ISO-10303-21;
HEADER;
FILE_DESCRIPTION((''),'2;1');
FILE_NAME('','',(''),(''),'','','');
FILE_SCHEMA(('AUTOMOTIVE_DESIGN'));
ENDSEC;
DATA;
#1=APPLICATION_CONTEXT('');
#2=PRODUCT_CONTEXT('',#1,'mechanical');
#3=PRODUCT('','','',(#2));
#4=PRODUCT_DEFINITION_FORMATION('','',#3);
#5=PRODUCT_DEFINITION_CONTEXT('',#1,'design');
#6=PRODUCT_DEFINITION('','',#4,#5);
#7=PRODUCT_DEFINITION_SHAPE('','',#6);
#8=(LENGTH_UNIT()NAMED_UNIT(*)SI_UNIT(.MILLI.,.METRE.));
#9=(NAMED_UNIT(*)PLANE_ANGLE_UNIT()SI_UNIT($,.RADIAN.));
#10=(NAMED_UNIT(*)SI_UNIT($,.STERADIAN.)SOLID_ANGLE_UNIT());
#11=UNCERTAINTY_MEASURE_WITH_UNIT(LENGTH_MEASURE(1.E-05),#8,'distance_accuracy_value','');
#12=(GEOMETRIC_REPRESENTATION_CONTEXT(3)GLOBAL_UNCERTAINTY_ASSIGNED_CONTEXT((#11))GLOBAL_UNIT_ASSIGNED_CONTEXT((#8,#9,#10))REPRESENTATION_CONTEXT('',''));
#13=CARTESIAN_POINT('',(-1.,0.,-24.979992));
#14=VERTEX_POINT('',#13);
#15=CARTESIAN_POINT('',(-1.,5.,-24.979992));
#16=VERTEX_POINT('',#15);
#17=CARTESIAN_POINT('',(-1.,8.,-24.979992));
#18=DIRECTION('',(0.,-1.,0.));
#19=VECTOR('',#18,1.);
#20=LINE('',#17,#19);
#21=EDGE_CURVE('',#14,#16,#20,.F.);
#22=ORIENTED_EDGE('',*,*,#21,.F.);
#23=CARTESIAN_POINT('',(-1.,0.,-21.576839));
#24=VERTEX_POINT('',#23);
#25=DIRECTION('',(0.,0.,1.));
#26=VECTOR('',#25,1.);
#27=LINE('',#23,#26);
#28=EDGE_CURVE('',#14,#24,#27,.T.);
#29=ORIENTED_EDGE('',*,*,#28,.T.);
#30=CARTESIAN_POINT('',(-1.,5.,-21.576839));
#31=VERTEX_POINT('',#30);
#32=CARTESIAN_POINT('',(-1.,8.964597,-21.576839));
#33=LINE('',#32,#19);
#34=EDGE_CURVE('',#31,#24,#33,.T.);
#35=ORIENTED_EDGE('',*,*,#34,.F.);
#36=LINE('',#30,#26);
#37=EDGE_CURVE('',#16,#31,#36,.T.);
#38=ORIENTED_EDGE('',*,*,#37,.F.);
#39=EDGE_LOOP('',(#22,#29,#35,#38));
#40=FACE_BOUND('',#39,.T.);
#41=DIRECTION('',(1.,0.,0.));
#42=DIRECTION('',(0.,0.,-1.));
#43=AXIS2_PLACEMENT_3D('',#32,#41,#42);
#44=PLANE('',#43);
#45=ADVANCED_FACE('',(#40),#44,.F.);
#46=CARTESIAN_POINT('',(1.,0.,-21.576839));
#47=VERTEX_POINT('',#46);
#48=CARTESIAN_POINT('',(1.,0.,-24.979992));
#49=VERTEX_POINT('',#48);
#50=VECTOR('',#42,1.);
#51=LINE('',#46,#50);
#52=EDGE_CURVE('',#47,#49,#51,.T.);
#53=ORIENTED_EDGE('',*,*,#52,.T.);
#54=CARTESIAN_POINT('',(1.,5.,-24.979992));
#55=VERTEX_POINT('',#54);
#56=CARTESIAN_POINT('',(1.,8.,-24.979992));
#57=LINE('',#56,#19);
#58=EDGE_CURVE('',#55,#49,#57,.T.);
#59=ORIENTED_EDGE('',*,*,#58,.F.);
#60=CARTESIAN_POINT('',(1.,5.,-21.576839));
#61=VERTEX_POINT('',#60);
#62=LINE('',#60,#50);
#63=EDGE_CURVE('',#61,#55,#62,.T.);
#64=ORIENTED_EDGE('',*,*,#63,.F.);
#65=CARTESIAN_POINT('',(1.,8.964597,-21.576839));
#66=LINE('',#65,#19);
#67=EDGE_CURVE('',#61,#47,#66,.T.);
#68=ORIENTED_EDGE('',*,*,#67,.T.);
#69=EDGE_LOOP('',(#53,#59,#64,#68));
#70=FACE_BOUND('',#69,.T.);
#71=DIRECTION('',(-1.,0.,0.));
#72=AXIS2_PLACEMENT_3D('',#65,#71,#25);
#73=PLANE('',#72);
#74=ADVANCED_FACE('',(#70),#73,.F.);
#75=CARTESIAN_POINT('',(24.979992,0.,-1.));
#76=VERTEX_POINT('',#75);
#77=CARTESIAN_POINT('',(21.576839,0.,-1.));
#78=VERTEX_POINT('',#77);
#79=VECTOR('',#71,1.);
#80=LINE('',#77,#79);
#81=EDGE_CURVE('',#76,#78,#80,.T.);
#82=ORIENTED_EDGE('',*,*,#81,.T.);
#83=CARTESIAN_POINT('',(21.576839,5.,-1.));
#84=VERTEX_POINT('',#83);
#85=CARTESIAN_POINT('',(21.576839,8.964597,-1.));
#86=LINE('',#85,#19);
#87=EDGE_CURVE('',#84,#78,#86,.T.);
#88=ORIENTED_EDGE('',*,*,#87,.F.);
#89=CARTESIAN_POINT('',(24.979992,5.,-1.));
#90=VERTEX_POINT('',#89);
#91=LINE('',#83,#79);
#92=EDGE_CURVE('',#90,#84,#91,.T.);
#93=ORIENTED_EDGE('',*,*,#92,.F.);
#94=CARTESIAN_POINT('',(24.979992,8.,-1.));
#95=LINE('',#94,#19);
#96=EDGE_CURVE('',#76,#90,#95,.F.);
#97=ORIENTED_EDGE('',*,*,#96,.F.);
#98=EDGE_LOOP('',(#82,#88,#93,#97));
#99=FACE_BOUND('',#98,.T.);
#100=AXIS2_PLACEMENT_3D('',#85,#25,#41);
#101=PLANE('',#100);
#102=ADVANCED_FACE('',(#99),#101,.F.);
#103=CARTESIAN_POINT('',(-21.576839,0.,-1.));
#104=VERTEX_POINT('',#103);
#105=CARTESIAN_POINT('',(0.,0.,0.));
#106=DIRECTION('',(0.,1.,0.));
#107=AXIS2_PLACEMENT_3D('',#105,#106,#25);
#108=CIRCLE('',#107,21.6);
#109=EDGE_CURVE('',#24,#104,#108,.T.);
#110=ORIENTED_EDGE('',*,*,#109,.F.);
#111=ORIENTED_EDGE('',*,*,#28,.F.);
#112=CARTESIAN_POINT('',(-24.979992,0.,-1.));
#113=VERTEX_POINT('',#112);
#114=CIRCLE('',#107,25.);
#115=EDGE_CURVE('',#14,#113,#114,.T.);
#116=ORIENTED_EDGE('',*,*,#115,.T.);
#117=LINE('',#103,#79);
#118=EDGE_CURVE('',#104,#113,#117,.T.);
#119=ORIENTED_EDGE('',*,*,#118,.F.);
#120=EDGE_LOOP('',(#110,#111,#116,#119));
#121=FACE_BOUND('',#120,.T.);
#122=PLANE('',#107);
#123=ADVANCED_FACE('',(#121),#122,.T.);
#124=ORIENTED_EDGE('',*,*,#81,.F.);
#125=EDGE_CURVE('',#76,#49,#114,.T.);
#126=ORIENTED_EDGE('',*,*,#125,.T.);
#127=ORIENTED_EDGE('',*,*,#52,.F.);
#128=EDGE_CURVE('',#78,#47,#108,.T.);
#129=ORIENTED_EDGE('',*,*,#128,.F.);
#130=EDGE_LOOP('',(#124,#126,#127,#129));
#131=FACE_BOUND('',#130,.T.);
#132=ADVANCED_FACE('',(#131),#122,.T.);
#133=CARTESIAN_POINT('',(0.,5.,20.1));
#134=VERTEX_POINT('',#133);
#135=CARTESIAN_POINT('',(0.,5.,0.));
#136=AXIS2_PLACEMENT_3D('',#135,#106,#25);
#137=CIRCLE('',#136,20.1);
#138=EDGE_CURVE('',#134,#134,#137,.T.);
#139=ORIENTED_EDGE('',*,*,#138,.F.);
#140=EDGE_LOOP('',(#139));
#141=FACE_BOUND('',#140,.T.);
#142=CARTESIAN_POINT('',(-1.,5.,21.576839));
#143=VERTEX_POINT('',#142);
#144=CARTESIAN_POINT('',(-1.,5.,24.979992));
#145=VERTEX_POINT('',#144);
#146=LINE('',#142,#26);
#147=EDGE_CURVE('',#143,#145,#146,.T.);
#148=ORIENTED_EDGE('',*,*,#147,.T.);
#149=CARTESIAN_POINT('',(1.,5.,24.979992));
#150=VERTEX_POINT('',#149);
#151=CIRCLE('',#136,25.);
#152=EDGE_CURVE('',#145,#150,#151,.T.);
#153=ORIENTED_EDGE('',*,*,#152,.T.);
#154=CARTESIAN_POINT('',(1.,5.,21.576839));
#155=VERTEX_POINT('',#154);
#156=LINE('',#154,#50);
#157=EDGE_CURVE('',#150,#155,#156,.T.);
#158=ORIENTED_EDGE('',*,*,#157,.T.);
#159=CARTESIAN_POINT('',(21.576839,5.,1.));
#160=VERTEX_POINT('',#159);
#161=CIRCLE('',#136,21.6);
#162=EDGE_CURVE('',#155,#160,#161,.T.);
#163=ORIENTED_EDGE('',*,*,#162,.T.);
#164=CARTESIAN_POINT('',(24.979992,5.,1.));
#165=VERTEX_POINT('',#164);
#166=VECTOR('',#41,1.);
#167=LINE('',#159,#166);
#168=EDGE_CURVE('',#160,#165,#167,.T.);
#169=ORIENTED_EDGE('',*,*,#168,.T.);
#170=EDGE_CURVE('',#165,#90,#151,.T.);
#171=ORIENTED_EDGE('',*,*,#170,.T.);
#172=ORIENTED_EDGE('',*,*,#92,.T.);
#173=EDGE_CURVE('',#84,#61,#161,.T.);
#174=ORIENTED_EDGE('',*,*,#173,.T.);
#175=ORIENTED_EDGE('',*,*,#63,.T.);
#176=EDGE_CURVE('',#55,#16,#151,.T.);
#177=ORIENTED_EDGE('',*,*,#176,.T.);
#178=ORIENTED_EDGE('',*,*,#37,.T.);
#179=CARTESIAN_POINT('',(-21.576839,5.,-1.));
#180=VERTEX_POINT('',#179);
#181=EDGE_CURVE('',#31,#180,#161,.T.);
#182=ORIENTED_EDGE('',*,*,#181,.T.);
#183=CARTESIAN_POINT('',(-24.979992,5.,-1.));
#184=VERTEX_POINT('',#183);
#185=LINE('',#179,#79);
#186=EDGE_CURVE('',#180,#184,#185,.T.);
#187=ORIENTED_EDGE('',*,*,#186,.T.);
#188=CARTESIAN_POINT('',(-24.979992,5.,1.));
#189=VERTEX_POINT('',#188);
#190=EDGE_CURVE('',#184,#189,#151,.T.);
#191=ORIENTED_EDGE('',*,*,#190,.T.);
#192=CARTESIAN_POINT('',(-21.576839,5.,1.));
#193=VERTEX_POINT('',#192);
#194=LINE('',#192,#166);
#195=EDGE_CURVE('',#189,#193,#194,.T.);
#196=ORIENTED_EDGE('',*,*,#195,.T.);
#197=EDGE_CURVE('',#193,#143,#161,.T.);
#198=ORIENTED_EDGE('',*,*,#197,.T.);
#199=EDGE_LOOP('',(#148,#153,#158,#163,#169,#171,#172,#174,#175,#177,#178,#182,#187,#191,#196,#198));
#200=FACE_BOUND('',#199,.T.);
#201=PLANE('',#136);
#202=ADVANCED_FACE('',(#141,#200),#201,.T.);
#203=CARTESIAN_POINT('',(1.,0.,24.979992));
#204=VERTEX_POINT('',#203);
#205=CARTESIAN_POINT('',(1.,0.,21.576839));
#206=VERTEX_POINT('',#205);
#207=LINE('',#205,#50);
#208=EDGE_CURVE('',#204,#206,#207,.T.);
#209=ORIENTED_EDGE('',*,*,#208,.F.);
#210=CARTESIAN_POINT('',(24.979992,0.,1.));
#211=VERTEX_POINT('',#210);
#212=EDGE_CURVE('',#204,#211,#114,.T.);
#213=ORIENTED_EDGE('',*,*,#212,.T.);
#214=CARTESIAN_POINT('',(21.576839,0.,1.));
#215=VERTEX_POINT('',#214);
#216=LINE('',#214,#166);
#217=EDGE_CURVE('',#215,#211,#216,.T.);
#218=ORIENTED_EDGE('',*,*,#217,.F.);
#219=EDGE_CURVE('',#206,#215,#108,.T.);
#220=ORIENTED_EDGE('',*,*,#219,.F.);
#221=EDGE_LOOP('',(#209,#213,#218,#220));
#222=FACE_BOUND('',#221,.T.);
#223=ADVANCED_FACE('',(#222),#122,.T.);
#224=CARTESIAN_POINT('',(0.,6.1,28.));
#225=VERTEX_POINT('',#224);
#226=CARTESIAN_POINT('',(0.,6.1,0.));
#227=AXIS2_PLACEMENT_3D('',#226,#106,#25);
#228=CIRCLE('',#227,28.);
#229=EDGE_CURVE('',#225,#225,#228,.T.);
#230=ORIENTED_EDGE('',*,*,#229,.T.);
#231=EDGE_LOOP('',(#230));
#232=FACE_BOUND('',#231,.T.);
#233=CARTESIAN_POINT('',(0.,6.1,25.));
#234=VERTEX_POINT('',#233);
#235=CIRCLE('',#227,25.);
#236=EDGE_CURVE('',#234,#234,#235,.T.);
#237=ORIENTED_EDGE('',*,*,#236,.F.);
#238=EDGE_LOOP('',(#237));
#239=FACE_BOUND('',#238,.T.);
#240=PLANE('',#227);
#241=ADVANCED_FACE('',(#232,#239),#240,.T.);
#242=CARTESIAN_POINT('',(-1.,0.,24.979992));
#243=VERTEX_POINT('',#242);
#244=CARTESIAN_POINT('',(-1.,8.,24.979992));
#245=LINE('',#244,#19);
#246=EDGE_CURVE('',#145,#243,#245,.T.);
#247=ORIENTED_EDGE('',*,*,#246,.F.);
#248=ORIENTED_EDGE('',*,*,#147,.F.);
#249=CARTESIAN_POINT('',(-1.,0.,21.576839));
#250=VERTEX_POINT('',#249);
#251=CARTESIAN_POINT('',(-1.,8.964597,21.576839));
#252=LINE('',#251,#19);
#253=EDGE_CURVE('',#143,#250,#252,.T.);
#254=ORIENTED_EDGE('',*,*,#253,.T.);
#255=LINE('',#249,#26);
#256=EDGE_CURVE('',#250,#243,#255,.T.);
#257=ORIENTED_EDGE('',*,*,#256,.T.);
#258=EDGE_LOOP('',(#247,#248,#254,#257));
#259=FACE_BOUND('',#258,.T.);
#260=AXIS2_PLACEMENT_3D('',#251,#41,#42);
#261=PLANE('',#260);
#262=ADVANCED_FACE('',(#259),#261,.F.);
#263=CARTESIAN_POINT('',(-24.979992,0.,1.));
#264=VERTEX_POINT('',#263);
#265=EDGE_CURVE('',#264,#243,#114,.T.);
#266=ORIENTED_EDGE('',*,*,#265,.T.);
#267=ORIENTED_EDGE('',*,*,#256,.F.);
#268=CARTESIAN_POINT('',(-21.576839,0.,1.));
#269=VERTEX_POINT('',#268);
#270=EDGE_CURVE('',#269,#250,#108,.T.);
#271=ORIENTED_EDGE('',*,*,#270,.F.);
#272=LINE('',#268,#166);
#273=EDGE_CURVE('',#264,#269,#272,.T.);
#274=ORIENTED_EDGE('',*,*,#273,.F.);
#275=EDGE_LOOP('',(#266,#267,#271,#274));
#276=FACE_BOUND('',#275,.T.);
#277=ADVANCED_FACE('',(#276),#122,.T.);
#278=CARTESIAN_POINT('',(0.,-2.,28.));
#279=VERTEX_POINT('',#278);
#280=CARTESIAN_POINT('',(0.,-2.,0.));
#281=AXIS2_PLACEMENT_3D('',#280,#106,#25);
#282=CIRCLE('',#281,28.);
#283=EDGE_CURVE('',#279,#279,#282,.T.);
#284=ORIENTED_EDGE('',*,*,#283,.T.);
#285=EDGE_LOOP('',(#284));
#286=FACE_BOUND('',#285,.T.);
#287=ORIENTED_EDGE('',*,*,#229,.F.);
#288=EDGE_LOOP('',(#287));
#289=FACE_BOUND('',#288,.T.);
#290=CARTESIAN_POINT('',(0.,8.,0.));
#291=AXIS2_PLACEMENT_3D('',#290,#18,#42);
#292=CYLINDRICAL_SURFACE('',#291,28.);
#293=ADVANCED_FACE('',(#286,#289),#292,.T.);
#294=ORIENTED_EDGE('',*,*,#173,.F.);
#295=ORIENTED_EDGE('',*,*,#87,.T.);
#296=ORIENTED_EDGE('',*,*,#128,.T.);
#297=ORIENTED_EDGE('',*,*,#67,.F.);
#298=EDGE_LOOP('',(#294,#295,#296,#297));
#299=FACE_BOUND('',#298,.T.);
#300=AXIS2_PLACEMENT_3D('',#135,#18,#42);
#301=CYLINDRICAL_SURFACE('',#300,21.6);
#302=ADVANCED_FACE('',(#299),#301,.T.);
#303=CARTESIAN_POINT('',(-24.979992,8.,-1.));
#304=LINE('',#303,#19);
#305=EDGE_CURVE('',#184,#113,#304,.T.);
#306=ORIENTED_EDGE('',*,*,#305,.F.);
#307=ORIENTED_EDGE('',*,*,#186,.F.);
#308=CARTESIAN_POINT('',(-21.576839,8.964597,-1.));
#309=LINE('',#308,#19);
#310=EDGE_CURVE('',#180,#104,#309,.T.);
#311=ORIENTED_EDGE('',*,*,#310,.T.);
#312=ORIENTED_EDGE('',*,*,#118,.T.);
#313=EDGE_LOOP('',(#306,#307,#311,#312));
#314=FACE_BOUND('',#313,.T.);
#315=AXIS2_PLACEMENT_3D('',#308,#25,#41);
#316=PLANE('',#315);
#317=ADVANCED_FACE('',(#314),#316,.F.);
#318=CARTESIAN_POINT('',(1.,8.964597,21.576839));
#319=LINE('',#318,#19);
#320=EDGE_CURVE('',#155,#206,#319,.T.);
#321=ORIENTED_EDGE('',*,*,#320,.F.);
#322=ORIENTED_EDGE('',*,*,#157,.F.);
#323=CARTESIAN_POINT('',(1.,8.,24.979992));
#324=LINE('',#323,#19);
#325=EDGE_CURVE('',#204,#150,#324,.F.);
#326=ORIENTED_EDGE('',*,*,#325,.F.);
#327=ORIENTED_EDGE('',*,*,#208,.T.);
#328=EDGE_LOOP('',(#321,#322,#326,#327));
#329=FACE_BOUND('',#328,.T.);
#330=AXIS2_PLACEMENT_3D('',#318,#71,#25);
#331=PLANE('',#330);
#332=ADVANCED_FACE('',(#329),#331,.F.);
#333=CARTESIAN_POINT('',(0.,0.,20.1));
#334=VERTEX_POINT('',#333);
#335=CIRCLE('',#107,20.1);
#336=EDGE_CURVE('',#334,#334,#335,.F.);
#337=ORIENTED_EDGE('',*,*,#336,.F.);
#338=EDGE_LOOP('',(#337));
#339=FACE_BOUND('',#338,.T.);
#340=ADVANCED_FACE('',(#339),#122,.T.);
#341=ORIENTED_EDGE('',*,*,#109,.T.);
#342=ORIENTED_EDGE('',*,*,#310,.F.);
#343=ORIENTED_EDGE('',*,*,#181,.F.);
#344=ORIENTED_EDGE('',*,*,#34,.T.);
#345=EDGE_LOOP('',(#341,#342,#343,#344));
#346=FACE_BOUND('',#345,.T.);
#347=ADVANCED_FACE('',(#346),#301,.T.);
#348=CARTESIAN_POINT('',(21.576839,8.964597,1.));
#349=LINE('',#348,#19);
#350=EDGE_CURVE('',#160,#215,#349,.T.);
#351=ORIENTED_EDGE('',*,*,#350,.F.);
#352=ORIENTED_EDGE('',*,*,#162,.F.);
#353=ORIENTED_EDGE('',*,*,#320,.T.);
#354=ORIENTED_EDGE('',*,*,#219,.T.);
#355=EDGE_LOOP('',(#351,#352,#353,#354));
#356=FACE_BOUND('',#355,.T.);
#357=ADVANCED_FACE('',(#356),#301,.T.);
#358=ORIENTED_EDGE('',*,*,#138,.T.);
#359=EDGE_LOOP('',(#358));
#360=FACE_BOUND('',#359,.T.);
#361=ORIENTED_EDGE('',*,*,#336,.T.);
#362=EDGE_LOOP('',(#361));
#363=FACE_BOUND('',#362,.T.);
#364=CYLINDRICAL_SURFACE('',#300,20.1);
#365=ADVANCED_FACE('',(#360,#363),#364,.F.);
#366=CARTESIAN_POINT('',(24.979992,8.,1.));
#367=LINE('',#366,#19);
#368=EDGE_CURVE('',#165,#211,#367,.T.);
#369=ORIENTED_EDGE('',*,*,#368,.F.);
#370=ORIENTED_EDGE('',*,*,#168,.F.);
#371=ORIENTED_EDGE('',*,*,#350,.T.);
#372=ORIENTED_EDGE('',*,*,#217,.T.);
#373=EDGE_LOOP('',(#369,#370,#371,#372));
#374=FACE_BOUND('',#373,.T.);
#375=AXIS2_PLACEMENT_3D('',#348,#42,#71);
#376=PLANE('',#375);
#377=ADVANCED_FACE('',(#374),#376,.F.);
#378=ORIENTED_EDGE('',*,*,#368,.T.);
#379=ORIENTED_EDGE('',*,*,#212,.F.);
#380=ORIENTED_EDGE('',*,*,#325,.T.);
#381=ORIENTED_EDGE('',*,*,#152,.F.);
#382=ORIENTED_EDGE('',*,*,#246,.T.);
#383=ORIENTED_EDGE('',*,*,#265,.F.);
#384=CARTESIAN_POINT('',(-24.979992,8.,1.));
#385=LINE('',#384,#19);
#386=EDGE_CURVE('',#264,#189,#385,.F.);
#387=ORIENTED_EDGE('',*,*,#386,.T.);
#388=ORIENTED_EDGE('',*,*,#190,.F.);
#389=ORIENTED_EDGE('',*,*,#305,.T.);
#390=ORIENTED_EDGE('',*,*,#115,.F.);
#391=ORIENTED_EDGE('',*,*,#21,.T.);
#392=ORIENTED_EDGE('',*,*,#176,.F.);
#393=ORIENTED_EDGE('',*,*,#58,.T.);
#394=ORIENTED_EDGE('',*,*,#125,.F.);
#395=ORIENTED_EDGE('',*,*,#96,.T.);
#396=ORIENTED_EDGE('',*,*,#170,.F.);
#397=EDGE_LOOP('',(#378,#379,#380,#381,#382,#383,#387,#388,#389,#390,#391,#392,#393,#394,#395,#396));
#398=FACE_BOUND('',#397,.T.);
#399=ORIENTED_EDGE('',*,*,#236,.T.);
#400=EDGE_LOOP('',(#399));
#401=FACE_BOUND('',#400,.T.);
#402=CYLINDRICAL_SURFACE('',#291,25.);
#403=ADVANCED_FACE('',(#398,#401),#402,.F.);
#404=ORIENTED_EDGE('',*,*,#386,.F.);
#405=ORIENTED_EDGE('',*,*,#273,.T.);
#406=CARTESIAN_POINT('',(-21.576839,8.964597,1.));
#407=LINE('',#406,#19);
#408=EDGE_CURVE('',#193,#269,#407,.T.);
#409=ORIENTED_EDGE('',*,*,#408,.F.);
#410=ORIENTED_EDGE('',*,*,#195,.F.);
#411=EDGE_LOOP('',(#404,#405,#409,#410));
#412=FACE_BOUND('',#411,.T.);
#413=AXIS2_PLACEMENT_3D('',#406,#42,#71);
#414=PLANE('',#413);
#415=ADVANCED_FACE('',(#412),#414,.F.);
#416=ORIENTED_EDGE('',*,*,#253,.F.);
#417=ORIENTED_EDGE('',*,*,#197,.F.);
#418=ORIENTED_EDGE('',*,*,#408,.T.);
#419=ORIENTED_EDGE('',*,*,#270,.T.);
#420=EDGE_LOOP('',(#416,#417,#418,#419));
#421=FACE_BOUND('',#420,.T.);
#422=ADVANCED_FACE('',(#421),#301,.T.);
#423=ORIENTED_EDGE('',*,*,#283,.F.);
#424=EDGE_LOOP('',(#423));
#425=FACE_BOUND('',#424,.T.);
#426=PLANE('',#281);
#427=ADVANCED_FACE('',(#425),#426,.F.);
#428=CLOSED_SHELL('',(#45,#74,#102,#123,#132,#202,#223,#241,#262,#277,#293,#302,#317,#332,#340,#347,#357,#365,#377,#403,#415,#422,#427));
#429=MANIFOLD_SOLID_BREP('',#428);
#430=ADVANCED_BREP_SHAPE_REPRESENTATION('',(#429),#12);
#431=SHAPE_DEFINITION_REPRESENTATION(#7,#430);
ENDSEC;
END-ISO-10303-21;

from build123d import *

# Parameters (mm, degrees)
SKETCH1_R           = 28
SKETCH1_R_2         = 25
BOSS_EXTRUDE1_DEPTH = 8
BOSS_EXTRUDE2_START = -2
SKETCH1_3_R         = 28
BOSS_EXTRUDE2_DEPTH = 2
SKETCH1_5_R         = 21.6
SKETCH1_5_R_2       = 20.1
BOSS_EXTRUDE3_DEPTH = 5
CUT_EXTRUDE1_START  = -1.9
SKETCH5_R           = 28
CUT_EXTRUDE1_DEPTH  = 1.9
SKETCH10_W          = 2
SKETCH10_H          = 3.423160565
SKETCH10_W_2        = 3.423160565
SKETCH10_H_2        = 2
BOSS_EXTRUDE4_DEPTH = 5


with BuildPart() as part:
    # Sketch1 → Boss-Extrude1 (new body)
    with BuildSketch(Plane(origin=(0, 0, 0), x_dir=(1, 0, 0), z_dir=(0, 1, 0))):
        with Locations(Location((0, 0, 0), (0, 0, 270))):
            Circle(SKETCH1_R)
        with Locations(Location((0, 0, 0), (0, 0, 270))):
            Circle(SKETCH1_R_2, mode=Mode.SUBTRACT)
    extrude(amount=BOSS_EXTRUDE1_DEPTH)

    # Sketch1<3> → Boss-Extrude2 (add)
    with BuildSketch(Plane(origin=(0, 0, 0), x_dir=(1, 0, 0), z_dir=(0, 1, 0)).offset(BOSS_EXTRUDE2_START)):
        with Locations(Location((0, 0, 0), (0, 0, 270))):
            Circle(SKETCH1_3_R)
    extrude(amount=BOSS_EXTRUDE2_DEPTH)

    # Sketch1<5> → Boss-Extrude3 (add)
    with BuildSketch(Plane(origin=(0, 0, 0), x_dir=(1, 0, 0), z_dir=(0, 1, 0))):
        with Locations(Location((0, 0, 0), (0, 0, 270))):
            Circle(SKETCH1_5_R)
        with Locations(Location((0, 0, 0), (0, 0, 270))):
            Circle(SKETCH1_5_R_2, mode=Mode.SUBTRACT)
    extrude(amount=BOSS_EXTRUDE3_DEPTH)

    # Sketch5 → Cut-Extrude1 (cut)
    with BuildSketch(Plane(origin=(0, 8, 0), x_dir=(1, 0, 0), z_dir=(0, 1, 0)).offset(CUT_EXTRUDE1_START)):
        with Locations(Location((0, 0, 0), (0, 0, 270))):
            Circle(SKETCH5_R)
    extrude(amount=CUT_EXTRUDE1_DEPTH, mode=Mode.SUBTRACT)

    # Sketch10 → Boss-Extrude4 (add)
    with BuildSketch(Plane(origin=(0, 0, 0), x_dir=(1, 0, 0), z_dir=(0, 1, 0))):
        with Locations((0, -23.288419717)):
            Rectangle(SKETCH10_W, SKETCH10_H)
        with Locations((-23.288419717, 0)):
            Rectangle(SKETCH10_W_2, SKETCH10_H_2)
        with Locations((23.288419717, 0)):
            Rectangle(SKETCH10_W_2, SKETCH10_H_2)
        with Locations((0, 23.288419717)):
            Rectangle(SKETCH10_W, SKETCH10_H)
    extrude(amount=BOSS_EXTRUDE4_DEPTH)


solid = part.part
